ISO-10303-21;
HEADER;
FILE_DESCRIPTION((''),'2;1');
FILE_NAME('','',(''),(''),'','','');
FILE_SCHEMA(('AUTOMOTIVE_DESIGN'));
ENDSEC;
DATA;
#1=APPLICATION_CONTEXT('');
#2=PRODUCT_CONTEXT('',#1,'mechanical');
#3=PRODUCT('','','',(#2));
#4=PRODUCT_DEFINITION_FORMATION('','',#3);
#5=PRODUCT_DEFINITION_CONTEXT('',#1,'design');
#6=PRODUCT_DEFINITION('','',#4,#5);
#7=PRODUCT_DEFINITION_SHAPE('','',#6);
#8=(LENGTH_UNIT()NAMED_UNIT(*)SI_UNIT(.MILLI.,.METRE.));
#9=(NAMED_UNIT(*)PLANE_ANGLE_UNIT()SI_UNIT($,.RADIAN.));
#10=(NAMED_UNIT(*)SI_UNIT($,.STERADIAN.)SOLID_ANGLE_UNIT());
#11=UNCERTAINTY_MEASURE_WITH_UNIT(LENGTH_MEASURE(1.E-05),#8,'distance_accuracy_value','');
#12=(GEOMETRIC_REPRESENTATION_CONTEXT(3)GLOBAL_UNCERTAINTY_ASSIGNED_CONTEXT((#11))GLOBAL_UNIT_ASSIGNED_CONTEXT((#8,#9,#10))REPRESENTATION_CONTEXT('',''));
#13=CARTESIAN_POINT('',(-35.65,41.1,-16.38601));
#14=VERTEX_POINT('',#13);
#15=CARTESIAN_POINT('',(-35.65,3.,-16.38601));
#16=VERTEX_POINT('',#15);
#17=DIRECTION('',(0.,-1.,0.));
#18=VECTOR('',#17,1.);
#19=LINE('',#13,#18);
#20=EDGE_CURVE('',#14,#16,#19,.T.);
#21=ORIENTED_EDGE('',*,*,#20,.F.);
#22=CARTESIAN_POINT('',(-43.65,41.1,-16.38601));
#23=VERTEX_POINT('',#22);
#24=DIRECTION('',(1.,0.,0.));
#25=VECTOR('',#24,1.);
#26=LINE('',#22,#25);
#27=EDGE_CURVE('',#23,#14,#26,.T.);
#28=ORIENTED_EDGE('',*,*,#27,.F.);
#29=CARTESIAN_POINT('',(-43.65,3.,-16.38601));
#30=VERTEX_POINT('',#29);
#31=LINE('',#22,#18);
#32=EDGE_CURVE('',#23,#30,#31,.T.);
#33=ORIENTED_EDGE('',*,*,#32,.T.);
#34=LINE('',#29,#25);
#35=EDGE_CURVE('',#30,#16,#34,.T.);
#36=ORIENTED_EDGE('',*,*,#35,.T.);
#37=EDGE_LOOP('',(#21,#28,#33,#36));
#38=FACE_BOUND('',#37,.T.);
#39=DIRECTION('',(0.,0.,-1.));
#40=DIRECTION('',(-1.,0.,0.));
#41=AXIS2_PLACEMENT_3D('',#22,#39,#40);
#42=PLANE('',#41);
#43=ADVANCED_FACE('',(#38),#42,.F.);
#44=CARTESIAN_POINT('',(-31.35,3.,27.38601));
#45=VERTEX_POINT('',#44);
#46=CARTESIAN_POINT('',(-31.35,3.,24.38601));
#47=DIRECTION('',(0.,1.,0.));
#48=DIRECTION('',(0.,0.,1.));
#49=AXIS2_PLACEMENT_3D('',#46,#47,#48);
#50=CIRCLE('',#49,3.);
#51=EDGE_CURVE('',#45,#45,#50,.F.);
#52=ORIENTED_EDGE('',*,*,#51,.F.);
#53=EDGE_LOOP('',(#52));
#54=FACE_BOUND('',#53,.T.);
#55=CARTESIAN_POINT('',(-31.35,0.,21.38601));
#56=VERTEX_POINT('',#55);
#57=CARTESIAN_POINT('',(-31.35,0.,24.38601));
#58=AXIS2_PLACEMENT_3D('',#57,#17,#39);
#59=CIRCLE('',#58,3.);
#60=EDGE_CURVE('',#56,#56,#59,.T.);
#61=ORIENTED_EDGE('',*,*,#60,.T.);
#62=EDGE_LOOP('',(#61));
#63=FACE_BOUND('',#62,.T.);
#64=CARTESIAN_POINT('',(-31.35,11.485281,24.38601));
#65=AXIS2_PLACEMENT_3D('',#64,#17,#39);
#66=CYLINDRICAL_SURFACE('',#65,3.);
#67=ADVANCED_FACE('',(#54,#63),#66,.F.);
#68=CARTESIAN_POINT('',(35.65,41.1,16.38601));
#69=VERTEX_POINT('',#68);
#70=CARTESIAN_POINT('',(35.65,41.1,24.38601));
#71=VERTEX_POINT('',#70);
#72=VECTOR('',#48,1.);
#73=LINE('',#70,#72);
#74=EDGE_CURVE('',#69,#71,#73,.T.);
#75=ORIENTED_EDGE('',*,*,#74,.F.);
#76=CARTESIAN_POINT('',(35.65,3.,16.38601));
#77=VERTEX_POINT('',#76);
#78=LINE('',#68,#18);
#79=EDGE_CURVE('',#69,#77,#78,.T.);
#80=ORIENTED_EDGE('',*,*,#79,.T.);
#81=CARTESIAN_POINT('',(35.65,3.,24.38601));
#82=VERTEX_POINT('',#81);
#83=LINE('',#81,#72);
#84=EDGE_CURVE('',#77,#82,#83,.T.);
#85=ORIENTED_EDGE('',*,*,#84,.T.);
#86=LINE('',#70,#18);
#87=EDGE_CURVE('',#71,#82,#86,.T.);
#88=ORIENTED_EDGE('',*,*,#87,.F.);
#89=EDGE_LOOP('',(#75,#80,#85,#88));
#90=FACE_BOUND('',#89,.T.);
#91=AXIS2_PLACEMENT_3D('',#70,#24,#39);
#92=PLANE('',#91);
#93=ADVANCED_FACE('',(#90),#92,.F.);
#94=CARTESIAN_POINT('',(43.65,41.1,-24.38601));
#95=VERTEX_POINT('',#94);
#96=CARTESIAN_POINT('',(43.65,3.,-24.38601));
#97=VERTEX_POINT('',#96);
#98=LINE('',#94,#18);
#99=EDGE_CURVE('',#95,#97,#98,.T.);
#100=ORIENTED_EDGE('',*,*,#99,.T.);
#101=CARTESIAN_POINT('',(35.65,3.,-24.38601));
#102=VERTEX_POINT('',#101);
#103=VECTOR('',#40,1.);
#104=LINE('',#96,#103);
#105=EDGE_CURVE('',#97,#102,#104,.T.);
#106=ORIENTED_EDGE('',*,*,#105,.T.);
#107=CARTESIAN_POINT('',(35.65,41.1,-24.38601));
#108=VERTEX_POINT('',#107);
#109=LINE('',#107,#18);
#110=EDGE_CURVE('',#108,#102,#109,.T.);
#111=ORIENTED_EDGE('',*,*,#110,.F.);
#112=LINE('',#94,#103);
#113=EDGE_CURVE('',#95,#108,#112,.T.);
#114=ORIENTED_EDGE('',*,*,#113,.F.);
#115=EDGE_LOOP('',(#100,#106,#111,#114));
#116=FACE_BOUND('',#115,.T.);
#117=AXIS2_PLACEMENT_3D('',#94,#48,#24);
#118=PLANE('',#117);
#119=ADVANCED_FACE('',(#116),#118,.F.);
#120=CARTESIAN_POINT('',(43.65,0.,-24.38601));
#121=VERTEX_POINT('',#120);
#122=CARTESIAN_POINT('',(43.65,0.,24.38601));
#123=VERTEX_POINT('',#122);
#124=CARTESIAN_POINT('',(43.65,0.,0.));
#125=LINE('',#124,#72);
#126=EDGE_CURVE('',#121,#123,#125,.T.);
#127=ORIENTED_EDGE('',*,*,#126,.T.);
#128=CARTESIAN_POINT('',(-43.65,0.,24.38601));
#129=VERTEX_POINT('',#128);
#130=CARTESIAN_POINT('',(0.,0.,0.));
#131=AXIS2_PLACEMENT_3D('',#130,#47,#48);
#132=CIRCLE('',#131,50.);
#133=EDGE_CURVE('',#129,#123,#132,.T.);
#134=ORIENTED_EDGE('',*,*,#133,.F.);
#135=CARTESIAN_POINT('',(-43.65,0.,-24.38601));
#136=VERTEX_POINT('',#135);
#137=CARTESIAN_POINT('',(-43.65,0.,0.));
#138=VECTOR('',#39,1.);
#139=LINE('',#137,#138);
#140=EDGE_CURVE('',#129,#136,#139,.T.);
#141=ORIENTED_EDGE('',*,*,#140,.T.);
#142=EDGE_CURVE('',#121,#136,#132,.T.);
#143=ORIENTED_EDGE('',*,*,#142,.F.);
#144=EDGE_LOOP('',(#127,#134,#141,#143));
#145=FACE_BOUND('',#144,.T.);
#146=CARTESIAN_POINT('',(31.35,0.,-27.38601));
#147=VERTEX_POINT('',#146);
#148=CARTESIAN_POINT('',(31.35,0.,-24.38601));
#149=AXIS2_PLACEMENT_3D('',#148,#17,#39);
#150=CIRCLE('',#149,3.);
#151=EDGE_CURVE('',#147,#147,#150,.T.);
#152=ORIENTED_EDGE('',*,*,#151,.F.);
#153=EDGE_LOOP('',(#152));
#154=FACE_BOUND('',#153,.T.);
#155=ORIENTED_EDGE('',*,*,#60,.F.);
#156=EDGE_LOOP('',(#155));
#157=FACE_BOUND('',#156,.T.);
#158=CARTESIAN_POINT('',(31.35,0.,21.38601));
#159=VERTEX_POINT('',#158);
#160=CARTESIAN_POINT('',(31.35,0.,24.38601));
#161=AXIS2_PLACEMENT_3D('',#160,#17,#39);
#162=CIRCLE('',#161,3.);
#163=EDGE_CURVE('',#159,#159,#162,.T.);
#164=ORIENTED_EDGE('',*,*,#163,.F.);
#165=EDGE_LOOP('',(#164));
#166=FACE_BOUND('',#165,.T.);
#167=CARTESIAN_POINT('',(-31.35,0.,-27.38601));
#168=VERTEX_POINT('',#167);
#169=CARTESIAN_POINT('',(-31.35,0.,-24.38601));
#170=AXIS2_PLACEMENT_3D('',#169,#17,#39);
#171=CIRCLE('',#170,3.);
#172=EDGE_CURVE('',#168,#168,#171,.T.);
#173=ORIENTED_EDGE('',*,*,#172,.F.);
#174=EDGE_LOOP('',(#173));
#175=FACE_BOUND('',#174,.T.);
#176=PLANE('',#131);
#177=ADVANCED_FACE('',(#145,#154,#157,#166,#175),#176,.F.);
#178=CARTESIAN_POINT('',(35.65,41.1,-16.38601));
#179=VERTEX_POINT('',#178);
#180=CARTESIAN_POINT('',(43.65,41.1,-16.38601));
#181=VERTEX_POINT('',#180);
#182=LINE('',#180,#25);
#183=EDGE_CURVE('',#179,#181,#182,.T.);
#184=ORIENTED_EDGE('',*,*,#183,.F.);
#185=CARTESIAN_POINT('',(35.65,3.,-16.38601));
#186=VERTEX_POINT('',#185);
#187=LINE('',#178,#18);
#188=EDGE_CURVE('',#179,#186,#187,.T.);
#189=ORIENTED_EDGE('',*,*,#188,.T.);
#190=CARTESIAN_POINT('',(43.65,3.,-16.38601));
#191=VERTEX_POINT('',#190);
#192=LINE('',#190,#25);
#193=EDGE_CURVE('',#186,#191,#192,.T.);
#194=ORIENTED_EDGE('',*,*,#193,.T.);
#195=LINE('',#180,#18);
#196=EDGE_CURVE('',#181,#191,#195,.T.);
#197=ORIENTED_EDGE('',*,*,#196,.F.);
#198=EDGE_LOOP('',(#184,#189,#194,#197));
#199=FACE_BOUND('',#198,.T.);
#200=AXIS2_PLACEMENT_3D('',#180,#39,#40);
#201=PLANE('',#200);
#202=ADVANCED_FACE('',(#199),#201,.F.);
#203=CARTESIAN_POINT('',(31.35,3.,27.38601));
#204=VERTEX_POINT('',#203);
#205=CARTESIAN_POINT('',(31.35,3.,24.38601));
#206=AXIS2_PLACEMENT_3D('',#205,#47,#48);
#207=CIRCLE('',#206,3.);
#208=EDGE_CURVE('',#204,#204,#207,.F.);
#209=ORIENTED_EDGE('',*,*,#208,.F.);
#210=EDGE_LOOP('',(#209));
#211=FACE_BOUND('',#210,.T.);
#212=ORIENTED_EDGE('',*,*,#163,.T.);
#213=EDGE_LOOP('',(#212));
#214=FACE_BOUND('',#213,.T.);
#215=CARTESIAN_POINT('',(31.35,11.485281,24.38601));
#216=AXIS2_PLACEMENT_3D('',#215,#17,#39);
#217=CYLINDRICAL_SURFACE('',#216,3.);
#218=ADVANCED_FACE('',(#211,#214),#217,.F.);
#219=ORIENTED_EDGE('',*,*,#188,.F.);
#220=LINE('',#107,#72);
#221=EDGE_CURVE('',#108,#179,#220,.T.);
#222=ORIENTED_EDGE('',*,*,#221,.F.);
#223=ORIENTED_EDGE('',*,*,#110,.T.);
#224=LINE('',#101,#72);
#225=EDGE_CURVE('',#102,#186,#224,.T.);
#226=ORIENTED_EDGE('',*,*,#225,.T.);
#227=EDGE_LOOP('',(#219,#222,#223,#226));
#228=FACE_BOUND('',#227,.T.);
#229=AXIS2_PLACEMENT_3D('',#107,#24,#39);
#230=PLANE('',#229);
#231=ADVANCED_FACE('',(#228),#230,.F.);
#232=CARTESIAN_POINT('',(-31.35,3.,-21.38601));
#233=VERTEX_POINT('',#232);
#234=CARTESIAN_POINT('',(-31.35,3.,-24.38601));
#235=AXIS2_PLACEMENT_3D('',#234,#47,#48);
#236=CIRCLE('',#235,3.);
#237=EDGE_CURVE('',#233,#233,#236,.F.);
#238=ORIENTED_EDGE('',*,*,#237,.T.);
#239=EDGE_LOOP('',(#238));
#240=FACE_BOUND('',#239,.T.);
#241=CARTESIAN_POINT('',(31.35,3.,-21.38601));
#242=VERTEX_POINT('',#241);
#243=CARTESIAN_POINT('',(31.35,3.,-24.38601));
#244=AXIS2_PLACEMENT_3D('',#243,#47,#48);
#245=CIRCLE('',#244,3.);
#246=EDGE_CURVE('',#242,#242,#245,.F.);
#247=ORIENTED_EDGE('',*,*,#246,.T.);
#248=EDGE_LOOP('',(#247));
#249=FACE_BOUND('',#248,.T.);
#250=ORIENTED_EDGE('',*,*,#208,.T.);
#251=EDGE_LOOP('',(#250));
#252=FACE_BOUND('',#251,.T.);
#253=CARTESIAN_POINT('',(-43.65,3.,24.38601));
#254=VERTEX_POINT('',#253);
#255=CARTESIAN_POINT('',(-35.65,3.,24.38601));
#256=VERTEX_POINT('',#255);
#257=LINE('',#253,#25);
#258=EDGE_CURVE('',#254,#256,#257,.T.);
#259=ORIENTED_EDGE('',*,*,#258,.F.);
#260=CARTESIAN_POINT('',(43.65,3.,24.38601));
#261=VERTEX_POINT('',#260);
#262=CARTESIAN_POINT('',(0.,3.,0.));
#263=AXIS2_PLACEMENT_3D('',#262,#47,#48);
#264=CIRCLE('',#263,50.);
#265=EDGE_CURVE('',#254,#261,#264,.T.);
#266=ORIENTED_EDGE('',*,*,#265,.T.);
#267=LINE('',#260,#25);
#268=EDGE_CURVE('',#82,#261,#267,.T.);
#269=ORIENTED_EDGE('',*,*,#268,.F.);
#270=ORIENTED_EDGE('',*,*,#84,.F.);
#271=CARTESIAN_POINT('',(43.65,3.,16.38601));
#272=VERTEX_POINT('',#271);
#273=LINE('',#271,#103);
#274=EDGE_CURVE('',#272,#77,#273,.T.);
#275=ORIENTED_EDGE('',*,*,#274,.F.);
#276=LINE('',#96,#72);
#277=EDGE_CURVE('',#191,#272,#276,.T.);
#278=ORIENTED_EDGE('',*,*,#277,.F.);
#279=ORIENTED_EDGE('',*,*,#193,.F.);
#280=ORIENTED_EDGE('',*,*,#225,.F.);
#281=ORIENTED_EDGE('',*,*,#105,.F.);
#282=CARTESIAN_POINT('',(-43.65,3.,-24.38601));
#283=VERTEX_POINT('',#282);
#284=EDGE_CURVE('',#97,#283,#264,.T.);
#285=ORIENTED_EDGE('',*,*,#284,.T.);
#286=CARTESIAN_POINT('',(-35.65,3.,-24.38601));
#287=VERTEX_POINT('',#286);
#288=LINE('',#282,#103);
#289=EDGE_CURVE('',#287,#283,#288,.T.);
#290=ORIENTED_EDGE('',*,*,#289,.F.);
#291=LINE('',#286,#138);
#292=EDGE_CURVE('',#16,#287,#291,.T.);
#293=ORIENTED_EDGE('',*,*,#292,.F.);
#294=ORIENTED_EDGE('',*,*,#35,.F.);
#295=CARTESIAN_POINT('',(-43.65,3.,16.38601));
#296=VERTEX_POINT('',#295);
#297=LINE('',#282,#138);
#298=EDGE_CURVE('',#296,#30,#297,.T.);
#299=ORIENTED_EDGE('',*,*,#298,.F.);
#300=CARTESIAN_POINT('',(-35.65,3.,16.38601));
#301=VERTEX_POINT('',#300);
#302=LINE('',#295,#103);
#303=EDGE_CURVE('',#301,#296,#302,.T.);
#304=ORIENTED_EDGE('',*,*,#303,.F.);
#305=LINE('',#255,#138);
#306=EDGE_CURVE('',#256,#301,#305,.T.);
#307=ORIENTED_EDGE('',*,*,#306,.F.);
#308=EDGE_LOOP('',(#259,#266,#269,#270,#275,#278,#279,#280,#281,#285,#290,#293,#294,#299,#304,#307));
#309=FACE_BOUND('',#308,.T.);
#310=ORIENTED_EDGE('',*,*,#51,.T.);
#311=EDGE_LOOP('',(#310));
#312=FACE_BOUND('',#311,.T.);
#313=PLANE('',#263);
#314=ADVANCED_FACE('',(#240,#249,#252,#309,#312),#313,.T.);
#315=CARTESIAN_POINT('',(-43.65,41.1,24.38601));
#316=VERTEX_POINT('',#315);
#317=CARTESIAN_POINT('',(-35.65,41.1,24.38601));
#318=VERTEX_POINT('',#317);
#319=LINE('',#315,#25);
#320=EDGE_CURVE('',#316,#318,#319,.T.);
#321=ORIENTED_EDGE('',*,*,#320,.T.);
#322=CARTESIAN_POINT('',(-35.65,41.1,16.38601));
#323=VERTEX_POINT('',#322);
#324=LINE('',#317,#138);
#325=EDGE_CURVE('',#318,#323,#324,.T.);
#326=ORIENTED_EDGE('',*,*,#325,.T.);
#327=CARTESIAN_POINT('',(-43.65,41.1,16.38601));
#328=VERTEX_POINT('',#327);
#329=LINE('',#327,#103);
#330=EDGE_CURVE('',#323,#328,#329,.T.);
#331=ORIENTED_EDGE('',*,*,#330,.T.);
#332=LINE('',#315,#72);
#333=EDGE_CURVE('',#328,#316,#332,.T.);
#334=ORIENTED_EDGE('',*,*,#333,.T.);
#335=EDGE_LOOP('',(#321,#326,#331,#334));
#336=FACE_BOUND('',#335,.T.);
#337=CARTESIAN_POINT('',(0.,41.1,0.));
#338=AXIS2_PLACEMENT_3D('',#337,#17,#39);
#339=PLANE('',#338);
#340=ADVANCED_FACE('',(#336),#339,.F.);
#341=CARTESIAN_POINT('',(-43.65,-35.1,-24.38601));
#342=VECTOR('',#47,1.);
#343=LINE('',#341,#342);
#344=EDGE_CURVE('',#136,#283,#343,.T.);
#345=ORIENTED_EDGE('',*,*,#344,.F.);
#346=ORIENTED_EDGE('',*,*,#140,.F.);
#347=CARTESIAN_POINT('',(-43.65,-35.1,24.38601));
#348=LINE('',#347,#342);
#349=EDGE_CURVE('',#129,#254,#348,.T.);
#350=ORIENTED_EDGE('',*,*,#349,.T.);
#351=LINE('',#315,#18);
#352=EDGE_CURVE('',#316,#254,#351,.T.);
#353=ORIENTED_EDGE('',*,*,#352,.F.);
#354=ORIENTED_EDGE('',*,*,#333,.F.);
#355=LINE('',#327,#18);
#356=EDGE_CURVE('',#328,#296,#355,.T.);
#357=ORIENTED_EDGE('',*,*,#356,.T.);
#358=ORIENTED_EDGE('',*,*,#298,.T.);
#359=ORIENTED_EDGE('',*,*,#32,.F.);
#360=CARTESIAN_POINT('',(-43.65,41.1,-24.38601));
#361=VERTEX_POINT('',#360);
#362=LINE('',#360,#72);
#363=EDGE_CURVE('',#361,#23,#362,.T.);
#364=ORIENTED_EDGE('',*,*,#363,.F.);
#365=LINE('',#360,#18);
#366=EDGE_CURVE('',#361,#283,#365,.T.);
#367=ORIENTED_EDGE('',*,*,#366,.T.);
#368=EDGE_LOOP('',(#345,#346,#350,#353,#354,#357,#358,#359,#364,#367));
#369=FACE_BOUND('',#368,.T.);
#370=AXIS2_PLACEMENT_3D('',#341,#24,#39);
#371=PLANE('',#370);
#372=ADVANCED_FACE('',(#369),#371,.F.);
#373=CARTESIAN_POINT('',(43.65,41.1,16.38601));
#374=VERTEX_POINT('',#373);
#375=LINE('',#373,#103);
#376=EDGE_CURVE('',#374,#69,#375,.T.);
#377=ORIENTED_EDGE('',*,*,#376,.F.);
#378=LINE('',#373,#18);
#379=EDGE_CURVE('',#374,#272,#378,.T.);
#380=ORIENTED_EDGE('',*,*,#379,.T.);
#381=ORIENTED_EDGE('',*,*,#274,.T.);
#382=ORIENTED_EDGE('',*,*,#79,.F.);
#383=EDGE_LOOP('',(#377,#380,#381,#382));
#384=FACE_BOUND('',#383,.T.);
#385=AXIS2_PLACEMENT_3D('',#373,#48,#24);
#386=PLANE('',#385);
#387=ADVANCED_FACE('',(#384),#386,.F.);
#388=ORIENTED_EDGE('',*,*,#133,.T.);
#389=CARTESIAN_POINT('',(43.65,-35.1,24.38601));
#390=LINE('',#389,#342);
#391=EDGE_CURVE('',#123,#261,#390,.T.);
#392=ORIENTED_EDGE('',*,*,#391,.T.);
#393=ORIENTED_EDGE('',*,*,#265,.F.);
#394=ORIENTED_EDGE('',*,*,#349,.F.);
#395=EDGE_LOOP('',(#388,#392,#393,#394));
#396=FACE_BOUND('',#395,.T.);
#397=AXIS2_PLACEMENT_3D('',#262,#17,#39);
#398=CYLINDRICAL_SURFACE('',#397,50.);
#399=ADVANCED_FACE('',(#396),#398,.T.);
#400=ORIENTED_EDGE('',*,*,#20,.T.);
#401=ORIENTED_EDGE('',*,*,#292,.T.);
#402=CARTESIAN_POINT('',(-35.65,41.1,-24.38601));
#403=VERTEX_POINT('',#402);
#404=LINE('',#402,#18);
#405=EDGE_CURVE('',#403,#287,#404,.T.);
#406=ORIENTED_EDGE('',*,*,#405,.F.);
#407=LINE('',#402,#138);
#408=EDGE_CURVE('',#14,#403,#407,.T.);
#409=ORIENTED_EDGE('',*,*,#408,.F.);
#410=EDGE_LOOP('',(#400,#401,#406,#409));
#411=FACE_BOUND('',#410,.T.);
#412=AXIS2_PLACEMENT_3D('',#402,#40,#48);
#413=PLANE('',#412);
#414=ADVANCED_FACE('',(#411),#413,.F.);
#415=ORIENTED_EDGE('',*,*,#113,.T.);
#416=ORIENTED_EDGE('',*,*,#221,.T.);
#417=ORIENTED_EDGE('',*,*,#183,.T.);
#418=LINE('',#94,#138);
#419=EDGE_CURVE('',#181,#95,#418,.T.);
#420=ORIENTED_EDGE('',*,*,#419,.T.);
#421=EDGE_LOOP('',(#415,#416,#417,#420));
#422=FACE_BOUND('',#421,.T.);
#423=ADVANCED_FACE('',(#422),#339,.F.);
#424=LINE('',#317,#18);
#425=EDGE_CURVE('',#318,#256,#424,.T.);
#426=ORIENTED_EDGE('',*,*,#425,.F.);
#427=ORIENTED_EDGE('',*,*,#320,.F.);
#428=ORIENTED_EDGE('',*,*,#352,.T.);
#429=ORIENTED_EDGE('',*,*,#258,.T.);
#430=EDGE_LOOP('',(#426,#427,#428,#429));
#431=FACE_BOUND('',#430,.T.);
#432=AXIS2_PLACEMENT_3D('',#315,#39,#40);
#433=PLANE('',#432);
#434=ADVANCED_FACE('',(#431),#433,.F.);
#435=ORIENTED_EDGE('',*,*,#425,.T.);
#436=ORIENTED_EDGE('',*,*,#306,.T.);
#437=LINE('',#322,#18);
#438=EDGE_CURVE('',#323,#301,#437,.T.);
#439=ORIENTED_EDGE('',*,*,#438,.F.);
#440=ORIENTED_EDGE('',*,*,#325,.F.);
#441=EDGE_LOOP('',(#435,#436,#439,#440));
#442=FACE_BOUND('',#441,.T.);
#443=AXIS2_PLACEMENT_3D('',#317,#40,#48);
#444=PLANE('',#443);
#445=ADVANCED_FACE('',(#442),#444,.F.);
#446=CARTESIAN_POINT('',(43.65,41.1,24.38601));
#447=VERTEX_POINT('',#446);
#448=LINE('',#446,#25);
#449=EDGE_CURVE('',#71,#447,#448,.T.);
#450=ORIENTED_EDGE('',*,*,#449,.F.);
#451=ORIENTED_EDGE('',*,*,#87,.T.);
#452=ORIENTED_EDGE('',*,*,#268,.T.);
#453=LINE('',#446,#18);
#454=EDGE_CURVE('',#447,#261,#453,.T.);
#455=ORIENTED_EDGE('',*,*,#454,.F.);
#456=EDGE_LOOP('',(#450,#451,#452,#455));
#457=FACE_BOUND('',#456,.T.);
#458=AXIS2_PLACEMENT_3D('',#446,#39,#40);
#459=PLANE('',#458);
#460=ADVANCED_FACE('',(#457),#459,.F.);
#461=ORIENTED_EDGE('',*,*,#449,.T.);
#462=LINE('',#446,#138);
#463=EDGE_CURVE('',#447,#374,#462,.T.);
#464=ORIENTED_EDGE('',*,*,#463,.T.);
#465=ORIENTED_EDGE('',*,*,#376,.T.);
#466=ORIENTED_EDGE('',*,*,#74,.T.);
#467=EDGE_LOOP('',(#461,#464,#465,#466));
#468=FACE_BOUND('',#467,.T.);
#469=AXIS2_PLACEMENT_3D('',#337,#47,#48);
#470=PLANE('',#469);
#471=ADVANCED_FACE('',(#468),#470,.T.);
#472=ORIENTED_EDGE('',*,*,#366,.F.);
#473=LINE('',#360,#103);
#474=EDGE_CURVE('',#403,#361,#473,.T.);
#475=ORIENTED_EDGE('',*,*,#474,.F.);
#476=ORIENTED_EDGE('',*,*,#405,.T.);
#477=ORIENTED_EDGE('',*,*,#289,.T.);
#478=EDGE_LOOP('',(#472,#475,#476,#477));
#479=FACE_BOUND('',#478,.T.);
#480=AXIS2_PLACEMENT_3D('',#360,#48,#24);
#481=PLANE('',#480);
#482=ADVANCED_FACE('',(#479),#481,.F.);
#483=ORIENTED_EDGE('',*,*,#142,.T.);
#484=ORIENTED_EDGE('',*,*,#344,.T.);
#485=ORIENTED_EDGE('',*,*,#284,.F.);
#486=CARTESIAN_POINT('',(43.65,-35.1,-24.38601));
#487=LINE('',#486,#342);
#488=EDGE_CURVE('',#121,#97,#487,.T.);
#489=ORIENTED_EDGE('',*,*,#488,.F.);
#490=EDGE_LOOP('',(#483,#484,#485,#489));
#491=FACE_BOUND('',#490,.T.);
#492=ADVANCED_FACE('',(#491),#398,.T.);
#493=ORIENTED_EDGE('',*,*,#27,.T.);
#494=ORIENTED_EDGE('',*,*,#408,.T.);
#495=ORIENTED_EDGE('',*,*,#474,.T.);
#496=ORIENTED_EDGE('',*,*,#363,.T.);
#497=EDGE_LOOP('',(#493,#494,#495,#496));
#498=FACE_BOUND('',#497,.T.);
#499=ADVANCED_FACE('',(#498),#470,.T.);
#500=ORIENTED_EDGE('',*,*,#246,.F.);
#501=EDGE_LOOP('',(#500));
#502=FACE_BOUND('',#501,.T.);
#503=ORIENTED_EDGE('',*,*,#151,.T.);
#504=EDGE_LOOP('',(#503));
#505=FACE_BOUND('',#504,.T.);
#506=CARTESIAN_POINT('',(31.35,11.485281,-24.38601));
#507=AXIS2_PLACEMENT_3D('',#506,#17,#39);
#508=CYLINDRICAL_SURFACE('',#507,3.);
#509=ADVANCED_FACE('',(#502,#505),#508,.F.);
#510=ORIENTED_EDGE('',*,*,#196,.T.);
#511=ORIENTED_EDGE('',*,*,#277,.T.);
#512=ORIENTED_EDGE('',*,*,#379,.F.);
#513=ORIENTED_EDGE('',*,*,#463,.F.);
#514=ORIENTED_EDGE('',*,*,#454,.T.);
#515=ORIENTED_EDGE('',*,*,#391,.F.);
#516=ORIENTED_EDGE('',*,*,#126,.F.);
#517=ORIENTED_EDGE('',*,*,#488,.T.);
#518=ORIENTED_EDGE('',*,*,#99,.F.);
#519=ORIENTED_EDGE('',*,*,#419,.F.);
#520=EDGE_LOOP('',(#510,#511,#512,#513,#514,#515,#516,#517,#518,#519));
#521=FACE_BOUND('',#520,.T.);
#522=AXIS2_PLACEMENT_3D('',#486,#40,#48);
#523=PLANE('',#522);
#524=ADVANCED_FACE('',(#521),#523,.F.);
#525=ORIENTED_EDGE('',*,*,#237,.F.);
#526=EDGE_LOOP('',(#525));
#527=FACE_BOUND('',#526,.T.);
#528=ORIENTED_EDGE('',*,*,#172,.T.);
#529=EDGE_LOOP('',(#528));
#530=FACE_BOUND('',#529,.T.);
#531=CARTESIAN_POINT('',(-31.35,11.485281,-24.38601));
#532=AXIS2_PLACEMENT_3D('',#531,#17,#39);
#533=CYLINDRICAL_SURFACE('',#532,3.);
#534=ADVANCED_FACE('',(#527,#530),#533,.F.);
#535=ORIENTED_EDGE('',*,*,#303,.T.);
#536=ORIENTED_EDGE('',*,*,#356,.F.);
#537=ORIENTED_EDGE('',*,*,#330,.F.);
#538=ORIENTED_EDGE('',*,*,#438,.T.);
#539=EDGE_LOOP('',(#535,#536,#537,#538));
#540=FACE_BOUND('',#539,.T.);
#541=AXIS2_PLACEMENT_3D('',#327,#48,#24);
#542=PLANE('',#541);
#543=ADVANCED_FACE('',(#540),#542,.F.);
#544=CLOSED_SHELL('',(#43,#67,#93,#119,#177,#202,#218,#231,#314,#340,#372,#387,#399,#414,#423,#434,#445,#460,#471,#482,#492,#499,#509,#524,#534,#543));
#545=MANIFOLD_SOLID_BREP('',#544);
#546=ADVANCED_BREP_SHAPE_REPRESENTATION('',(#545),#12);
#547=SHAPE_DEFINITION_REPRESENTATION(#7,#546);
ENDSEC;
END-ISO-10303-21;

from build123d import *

# Parameters (mm, degrees)
SKETCH2_R           = 50
BOSS_EXTRUDE1_DEPTH = 3
CUT_EXTRUDE1_DEPTH  = 38.1
SKETCH9_W           = 8
SKETCH9_H           = 8
BOSS_EXTRUDE2_DEPTH = 38.1
SKETCH10_R          = 3
CUT_EXTRUDE2_DEPTH  = 3


with BuildPart() as part:
    # Sketch2 → Boss-Extrude1 (new body)
    with BuildSketch(Plane(origin=(0, 0, 0), x_dir=(1, 0, 0), z_dir=(0, 1, 0))):
        with Locations(Location((0, 0, 0), (0, 0, 270))):
            Circle(SKETCH2_R)
    extrude(amount=BOSS_EXTRUDE1_DEPTH)

    # Sketch6 → Cut-Extrude1 (cut)
    with BuildSketch(Plane(origin=(0, 3, 0), x_dir=(1, 0, 0), z_dir=(0, 1, 0))):
        Polygon((-43.65, 24.386010334), (-43.65, -24.386010334), (-50, -24.386010334), (-50, 0), (-50, 24.386010334), align=None)
        Polygon((43.65, 24.386010334), (43.65, -24.386010334), (50, -24.386010334), (50, 0), (50, 24.386010334), align=None)
    extrude(amount=-CUT_EXTRUDE1_DEPTH, mode=Mode.SUBTRACT)

    # Sketch9 → Boss-Extrude2 (add)
    with BuildSketch(Plane(origin=(0, 3, 0), x_dir=(1, 0, 0), z_dir=(0, 1, 0))):
        with Locations((-39.65, 20.386010334)):
            Rectangle(SKETCH9_W, SKETCH9_H)
        with Locations((39.65, 20.386010334)):
            Rectangle(SKETCH9_W, SKETCH9_H)
        with Locations((39.65, -20.386010334)):
            Rectangle(SKETCH9_W, SKETCH9_H)
        with Locations((-39.65, -20.386010334)):
            Rectangle(SKETCH9_W, SKETCH9_H)
    extrude(amount=BOSS_EXTRUDE2_DEPTH)

    # Sketch10 → Cut-Extrude2 (cut)
    with BuildSketch(Plane(origin=(0, 0, 0), x_dir=(-1, 0, 0), z_dir=(0, -1, 0))):
        with Locations(Location((31.35, -24.386010334, 0), (0, 0, 90))):
            Circle(SKETCH10_R)
        with Locations(Location((31.35, 24.386010334, 0), (0, 0, 90))):
            Circle(SKETCH10_R)
        with Locations(Location((-31.35, 24.386010334, 0), (0, 0, 90))):
            Circle(SKETCH10_R)
        with Locations(Location((-31.35, -24.386010334, 0), (0, 0, 90))):
            Circle(SKETCH10_R)
    extrude(amount=-CUT_EXTRUDE2_DEPTH, mode=Mode.SUBTRACT)


solid = part.part
